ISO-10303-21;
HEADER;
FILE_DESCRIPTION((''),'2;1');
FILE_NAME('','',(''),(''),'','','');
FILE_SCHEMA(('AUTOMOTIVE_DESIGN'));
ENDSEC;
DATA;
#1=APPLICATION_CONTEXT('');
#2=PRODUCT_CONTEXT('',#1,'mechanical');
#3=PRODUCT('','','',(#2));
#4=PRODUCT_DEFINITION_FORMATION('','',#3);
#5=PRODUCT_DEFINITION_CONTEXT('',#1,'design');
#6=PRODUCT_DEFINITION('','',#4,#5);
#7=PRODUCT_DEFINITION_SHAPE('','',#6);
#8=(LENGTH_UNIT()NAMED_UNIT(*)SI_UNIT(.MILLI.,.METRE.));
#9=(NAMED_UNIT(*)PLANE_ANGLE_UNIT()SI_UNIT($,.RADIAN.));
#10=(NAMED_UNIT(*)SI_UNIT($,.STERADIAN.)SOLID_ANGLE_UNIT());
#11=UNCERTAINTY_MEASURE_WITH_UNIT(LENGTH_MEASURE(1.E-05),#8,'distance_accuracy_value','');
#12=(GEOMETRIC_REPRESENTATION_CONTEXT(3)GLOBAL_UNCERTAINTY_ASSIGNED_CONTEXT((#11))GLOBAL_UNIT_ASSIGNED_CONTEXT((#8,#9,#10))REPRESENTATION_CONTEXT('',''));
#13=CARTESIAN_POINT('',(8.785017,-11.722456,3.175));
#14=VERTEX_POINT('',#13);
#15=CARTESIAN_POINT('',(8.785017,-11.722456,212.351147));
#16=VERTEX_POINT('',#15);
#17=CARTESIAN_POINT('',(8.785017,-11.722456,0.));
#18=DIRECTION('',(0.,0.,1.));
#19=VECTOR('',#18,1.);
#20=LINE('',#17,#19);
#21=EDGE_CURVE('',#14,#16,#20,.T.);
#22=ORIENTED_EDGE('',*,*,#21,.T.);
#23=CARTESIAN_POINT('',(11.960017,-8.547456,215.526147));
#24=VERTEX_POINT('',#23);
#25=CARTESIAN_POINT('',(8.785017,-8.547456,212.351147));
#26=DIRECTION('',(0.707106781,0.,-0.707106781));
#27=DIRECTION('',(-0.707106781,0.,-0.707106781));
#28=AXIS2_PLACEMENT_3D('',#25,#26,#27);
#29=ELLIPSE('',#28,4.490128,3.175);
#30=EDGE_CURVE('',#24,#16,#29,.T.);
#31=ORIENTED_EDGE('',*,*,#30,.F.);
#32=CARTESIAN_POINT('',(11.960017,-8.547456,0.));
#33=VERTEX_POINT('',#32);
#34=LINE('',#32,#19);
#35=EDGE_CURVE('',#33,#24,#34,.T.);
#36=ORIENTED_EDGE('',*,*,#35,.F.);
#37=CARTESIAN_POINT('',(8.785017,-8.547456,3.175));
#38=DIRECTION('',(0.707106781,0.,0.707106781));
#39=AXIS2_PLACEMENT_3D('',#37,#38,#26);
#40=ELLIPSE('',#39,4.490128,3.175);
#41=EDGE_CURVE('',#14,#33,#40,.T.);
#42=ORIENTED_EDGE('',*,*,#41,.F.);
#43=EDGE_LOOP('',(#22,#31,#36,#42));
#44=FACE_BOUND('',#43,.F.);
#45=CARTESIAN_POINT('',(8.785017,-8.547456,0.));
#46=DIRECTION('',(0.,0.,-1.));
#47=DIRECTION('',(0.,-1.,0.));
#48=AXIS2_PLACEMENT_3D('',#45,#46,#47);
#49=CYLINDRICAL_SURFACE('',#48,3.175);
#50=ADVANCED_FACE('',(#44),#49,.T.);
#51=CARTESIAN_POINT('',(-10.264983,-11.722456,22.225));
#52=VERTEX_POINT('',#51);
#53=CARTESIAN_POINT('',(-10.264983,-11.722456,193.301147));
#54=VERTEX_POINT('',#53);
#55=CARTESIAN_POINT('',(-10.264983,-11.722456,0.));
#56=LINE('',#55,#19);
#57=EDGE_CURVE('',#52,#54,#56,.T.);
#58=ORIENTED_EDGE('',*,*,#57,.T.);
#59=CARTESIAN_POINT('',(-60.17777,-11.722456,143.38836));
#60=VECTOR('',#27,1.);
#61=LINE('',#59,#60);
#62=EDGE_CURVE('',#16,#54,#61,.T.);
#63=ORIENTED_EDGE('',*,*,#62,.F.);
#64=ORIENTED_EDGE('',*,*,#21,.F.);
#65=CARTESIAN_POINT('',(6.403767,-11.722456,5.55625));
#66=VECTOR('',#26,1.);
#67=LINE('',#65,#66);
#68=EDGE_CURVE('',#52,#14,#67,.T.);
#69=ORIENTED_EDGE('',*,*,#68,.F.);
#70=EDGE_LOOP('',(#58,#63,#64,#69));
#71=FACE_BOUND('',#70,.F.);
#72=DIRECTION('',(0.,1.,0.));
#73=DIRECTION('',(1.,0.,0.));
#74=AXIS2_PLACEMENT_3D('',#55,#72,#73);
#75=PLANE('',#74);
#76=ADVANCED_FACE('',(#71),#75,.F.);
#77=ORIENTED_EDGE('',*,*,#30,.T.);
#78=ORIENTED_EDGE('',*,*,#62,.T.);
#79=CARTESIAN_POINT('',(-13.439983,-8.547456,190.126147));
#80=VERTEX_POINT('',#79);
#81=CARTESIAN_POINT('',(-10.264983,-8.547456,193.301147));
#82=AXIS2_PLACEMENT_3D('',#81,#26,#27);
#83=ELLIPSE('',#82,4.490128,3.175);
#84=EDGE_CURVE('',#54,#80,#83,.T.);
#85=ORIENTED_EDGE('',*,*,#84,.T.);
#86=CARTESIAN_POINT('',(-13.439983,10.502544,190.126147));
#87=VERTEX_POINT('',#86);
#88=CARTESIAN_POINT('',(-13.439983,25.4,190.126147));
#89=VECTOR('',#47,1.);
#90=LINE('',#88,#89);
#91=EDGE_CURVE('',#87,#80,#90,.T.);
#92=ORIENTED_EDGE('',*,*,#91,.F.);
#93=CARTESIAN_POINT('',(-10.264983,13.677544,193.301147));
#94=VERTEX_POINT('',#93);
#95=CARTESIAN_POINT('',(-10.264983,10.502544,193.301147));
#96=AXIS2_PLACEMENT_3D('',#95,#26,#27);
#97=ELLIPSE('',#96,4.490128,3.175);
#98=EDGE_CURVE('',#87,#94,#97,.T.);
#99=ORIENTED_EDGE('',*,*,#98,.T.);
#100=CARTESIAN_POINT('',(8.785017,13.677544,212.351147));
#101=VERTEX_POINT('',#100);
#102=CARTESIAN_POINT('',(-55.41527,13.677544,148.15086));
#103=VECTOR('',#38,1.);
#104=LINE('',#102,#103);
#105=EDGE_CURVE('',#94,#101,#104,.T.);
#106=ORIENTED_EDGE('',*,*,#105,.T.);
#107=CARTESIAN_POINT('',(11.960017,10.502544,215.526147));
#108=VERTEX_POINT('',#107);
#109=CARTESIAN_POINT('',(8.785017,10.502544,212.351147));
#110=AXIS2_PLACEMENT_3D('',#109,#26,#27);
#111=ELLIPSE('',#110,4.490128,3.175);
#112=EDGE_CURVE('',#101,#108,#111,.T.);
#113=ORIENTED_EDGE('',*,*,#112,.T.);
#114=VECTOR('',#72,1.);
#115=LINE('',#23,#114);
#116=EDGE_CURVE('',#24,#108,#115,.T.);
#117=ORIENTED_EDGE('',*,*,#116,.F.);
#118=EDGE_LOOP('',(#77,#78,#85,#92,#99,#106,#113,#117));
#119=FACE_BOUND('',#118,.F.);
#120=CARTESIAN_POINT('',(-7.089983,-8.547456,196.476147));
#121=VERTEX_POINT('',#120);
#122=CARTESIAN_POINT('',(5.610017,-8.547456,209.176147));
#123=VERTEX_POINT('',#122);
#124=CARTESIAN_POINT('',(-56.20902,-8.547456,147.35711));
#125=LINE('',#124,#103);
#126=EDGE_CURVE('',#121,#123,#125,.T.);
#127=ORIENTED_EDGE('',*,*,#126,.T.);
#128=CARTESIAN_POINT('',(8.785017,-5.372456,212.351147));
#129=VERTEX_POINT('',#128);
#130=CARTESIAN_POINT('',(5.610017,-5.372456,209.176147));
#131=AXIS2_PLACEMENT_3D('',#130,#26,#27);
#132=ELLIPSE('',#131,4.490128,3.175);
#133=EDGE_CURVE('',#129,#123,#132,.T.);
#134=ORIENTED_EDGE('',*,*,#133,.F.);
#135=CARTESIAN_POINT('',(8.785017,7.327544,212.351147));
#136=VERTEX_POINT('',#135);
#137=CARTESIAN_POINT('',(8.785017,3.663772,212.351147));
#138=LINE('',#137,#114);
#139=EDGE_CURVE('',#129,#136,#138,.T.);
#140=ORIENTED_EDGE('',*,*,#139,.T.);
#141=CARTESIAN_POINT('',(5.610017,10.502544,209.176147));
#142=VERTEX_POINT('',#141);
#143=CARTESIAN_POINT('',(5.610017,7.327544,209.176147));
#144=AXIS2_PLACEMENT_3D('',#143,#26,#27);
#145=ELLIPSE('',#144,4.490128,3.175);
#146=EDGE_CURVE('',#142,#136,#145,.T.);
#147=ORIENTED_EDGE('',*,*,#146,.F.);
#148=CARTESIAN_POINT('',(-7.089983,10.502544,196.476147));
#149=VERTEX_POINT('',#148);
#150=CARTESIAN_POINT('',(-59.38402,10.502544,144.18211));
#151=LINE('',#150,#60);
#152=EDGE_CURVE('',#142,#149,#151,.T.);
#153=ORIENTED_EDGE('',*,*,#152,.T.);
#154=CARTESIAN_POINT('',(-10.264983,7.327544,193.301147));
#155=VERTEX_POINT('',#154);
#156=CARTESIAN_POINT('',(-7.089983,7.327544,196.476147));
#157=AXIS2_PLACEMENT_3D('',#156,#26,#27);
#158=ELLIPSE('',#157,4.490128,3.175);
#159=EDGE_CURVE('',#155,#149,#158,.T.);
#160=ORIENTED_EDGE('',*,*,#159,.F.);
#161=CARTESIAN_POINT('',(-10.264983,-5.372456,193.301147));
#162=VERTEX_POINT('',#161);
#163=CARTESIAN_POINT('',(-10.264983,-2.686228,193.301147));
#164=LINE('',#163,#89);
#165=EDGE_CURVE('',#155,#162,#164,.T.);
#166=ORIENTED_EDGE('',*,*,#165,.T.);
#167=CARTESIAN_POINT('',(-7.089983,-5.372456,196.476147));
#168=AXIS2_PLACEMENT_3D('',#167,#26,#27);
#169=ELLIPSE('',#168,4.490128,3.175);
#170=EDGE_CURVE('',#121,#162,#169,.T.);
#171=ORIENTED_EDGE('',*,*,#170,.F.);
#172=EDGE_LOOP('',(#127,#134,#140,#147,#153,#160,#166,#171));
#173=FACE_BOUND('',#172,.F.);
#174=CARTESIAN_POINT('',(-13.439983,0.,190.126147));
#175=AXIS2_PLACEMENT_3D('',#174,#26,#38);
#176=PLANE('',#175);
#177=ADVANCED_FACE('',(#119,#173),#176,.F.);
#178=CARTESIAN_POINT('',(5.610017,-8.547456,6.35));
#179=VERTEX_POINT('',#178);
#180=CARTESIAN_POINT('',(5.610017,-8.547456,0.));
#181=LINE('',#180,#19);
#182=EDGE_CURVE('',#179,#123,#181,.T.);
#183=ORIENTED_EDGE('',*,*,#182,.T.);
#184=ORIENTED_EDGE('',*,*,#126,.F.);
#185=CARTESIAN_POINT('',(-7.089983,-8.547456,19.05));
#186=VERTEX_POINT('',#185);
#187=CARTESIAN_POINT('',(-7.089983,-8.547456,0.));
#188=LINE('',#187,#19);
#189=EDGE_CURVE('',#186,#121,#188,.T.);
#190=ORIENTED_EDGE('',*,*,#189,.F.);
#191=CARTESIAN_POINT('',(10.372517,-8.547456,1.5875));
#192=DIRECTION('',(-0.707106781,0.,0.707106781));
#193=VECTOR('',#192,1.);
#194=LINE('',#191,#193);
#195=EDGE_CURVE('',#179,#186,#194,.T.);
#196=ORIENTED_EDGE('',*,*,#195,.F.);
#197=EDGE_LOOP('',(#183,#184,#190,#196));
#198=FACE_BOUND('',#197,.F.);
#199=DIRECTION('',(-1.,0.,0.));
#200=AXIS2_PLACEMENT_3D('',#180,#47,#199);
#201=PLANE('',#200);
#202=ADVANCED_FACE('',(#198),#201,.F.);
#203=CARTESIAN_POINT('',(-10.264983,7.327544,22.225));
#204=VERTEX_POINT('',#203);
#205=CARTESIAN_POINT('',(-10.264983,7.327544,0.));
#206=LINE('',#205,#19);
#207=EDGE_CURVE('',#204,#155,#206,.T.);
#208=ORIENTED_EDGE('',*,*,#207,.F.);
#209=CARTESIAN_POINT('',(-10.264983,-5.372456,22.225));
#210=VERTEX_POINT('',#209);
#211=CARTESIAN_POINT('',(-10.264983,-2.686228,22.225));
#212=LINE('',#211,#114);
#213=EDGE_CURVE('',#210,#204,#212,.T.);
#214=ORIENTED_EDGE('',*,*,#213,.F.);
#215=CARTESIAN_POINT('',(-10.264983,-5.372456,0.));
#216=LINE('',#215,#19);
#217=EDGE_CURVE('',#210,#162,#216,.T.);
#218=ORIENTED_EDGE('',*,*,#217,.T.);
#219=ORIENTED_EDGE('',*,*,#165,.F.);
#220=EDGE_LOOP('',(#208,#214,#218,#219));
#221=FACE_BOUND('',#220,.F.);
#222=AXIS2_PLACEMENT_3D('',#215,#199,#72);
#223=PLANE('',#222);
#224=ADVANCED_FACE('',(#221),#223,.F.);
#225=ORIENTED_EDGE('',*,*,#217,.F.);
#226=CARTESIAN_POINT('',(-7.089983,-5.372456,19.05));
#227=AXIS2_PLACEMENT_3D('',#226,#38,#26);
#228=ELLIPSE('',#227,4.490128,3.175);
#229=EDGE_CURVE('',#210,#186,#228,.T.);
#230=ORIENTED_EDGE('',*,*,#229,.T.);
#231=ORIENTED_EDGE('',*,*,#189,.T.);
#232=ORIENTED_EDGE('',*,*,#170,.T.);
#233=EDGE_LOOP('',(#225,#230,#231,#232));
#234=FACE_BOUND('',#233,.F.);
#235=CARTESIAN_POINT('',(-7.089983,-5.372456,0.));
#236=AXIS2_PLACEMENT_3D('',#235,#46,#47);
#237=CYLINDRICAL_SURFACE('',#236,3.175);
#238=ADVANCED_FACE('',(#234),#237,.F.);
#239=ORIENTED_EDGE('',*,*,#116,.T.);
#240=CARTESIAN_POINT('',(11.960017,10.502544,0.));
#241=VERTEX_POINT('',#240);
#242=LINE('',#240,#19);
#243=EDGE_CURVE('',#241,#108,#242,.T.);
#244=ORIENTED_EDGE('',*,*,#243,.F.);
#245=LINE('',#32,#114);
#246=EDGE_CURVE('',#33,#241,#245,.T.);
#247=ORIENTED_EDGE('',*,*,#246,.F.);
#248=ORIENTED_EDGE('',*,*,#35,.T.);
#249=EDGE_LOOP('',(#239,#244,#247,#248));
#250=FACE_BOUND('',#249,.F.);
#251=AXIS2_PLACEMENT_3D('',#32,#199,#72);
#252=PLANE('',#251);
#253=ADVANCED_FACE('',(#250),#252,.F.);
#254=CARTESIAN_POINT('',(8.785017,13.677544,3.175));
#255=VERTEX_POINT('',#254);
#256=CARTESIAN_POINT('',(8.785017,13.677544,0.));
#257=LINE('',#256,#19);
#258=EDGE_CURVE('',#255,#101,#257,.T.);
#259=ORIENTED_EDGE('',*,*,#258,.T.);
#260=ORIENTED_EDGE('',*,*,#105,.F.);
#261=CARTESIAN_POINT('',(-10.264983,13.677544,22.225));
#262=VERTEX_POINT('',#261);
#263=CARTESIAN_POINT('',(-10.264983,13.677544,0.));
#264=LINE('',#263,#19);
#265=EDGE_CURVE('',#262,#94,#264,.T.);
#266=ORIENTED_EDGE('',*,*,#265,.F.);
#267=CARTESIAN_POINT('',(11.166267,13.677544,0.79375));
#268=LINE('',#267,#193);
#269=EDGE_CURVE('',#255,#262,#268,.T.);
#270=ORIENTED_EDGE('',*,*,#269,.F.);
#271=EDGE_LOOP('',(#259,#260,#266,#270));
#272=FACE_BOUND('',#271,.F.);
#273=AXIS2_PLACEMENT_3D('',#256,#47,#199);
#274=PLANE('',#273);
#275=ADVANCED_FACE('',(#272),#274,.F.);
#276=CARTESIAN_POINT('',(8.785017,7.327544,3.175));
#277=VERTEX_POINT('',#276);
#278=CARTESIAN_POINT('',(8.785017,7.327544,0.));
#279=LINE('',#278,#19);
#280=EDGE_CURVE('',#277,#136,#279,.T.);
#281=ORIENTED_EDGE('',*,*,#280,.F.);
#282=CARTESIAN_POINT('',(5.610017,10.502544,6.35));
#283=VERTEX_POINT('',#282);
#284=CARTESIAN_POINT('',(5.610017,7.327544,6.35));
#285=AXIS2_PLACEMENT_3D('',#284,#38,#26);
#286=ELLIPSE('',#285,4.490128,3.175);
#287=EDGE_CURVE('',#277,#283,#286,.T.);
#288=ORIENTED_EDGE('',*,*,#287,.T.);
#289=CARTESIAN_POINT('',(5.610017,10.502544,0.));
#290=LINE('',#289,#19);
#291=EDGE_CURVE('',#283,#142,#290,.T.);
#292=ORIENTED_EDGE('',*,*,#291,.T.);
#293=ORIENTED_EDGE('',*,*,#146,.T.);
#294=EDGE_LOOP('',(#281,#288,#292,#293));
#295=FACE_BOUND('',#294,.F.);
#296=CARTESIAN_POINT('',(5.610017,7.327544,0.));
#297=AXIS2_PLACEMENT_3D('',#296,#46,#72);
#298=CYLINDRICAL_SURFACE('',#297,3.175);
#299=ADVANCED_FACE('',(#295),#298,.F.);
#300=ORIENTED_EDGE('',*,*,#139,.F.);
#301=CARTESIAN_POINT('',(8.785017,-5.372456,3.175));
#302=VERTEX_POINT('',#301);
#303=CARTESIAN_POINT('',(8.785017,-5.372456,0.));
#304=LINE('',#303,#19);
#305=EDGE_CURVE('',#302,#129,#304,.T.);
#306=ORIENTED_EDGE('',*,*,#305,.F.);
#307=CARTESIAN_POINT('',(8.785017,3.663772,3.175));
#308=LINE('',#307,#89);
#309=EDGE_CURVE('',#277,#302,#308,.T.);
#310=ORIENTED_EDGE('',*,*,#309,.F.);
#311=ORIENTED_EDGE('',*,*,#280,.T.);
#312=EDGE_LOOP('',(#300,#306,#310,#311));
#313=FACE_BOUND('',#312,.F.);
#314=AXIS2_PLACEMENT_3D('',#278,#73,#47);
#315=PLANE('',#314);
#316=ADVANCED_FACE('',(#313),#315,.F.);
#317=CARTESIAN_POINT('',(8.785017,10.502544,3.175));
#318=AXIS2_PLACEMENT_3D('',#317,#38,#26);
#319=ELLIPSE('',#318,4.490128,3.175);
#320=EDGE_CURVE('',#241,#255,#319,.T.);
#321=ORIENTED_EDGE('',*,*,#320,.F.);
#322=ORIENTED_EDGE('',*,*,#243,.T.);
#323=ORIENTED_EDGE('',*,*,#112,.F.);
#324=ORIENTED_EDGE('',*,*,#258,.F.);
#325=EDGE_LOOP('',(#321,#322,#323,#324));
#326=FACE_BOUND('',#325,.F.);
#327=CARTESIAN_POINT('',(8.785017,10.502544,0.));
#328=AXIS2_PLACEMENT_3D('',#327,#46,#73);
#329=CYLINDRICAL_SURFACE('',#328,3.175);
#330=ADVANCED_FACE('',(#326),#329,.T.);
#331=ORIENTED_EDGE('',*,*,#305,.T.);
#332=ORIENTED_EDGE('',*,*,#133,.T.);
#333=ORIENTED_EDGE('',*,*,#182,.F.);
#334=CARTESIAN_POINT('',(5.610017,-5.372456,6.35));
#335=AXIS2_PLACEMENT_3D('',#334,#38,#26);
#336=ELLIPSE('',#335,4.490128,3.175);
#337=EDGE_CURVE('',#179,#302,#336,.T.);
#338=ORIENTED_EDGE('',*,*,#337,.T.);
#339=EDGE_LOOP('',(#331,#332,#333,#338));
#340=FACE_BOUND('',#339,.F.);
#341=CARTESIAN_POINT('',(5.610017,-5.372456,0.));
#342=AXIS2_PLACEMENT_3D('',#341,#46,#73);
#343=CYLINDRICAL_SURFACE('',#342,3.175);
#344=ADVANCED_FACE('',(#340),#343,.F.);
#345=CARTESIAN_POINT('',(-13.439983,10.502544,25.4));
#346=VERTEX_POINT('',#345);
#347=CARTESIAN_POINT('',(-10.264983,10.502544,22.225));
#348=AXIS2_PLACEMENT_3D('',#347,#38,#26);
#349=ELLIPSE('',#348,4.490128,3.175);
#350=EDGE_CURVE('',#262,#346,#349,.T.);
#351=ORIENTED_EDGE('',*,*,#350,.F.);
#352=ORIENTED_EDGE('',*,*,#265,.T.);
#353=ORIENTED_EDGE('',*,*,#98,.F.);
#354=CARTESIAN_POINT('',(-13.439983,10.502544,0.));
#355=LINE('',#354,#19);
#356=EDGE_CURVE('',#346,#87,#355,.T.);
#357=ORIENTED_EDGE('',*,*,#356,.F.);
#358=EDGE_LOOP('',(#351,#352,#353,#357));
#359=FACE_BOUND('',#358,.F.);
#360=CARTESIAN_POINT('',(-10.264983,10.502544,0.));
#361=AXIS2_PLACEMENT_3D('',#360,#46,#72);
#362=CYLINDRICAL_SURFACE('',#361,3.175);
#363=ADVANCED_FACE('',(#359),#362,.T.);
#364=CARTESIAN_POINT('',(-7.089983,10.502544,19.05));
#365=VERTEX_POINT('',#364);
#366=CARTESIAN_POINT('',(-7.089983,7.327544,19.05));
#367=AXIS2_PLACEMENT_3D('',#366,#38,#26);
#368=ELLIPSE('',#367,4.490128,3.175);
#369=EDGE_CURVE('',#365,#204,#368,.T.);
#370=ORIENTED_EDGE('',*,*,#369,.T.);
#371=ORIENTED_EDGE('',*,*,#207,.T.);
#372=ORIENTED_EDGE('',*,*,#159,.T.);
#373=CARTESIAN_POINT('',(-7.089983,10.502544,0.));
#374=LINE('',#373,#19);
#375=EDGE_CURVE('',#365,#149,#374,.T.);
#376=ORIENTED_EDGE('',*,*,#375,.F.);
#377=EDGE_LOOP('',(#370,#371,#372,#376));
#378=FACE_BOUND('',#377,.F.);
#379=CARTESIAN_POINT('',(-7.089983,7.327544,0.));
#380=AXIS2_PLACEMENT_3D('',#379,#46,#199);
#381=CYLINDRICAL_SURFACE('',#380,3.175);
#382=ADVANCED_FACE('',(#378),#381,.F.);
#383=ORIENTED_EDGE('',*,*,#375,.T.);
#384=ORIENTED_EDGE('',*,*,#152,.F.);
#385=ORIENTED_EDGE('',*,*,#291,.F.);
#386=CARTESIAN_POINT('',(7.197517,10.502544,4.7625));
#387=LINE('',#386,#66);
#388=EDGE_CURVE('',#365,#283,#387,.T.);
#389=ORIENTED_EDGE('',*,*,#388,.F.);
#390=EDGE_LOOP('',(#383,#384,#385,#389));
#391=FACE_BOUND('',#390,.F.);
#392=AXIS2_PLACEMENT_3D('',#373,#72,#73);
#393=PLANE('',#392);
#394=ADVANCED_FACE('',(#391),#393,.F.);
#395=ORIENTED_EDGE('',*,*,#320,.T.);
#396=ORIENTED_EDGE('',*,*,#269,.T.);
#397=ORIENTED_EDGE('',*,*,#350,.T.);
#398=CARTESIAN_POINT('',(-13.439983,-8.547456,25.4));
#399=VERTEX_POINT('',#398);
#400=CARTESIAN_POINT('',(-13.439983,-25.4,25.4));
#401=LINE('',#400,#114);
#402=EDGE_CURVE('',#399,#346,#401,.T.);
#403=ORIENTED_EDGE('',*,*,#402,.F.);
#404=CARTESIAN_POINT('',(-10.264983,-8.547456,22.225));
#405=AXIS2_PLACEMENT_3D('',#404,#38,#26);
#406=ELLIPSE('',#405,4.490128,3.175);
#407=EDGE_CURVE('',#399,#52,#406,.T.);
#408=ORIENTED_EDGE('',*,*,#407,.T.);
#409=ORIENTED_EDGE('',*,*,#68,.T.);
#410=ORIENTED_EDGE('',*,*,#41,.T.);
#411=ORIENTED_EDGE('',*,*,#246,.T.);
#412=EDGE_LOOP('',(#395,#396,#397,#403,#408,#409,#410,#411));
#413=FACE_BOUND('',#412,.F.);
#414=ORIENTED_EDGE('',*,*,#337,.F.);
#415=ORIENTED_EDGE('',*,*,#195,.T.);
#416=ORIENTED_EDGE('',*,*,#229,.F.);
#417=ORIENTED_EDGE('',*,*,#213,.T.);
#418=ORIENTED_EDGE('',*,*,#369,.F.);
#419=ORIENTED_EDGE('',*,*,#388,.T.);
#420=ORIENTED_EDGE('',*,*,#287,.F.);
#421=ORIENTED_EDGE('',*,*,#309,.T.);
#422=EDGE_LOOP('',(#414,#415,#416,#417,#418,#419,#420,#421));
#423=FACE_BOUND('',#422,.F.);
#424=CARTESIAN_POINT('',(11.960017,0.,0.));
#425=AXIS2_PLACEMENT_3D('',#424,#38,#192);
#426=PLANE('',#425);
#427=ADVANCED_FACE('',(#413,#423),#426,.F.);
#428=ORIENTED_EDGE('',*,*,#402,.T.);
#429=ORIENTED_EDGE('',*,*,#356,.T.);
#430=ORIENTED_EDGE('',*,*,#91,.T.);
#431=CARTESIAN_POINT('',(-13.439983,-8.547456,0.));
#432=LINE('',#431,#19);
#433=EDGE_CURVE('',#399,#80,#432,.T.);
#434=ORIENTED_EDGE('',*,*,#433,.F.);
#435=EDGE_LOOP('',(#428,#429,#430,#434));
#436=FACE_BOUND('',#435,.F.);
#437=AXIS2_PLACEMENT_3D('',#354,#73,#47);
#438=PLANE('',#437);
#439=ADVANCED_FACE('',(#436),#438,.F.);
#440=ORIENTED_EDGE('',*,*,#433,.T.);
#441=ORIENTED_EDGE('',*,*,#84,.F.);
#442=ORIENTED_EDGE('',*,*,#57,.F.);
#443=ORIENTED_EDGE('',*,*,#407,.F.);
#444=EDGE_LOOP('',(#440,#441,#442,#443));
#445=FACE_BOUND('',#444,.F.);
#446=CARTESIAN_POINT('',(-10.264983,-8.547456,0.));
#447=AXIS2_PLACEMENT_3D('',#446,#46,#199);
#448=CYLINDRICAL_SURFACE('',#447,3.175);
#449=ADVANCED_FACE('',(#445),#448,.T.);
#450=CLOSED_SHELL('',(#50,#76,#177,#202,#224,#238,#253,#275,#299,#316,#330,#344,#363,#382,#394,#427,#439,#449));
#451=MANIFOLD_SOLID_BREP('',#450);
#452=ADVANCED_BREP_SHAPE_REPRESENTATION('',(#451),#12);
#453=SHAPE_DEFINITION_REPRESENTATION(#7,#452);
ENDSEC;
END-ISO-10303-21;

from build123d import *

# Parameters (mm, degrees)
F1_DEPTH = 215.5261469047
F4_DEPTH = 25.4
F5_DEPTH = 25.4


with BuildPart() as f1:
    # F0 (on Top) → F1 (new body)
    with BuildSketch(Plane.XY):
        with BuildLine():
            Line((-10.2649833994, -11.722455886), (8.7850166006, -11.722455886))
            ThreePointArc((8.7850166006, -11.722455886), (11.0300806309, -10.7925199163), (11.9600166006, -8.547455886))
            Line((11.9600166006, -8.547455886), (11.9600166006, 10.502544114))
            ThreePointArc((11.9600166006, 10.502544114), (11.0300806309, 12.7476081443), (8.7850166006, 13.677544114))
            Line((8.7850166006, 13.677544114), (-10.2649833994, 13.677544114))
            ThreePointArc((-10.2649833994, 13.677544114), (-12.5100474297, 12.7476081443), (-13.4399833994, 10.502544114))
            Line((-13.4399833994, 10.502544114), (-13.4399833994, -8.547455886))
            ThreePointArc((-13.4399833994, -8.547455886), (-12.5100474297, -10.7925199163), (-10.2649833994, -11.722455886))
        make_face()
        with BuildLine():
            ThreePointArc((8.7850166006, -5.372455886), (7.8550806309, -7.6175199163), (5.6100166006, -8.547455886))
            Line((5.6100166006, -8.547455886), (-7.0899833994, -8.547455886))
            ThreePointArc((-7.0899833994, -8.547455886), (-9.3350474297, -7.6175199163), (-10.2649833994, -5.372455886))
            Line((-10.2649833994, -5.372455886), (-10.2649833994, 7.327544114))
            ThreePointArc((-10.2649833994, 7.327544114), (-9.3350474297, 9.5726081443), (-7.0899833994, 10.502544114))
            Line((-7.0899833994, 10.502544114), (5.6100166006, 10.502544114))
            ThreePointArc((5.6100166006, 10.502544114), (7.8550806309, 9.5726081443), (8.7850166006, 7.327544114))
            Line((8.7850166006, 7.327544114), (8.7850166006, -5.372455886))
        make_face(mode=Mode.SUBTRACT)
    extrude(amount=F1_DEPTH)

    # F2 (on Front) → F4 (cut, symmetric)
    with BuildSketch(Plane.XZ):
        Polygon((-13.4399833994, 0), (11.9600166006, 0), (-13.4399833994, 25.4), align=None)
    extrude(amount=F4_DEPTH, both=True, mode=Mode.SUBTRACT)

    # F3 (on Front) → F5 (cut, symmetric)
    with BuildSketch(Plane.XZ):
        Polygon((-13.4399833994, 215.5261469047), (-13.4399833994, 190.1261469047), (11.9600166006, 215.5261469047), align=None)
    extrude(amount=F5_DEPTH, both=True, mode=Mode.SUBTRACT)


solid = f1.part
